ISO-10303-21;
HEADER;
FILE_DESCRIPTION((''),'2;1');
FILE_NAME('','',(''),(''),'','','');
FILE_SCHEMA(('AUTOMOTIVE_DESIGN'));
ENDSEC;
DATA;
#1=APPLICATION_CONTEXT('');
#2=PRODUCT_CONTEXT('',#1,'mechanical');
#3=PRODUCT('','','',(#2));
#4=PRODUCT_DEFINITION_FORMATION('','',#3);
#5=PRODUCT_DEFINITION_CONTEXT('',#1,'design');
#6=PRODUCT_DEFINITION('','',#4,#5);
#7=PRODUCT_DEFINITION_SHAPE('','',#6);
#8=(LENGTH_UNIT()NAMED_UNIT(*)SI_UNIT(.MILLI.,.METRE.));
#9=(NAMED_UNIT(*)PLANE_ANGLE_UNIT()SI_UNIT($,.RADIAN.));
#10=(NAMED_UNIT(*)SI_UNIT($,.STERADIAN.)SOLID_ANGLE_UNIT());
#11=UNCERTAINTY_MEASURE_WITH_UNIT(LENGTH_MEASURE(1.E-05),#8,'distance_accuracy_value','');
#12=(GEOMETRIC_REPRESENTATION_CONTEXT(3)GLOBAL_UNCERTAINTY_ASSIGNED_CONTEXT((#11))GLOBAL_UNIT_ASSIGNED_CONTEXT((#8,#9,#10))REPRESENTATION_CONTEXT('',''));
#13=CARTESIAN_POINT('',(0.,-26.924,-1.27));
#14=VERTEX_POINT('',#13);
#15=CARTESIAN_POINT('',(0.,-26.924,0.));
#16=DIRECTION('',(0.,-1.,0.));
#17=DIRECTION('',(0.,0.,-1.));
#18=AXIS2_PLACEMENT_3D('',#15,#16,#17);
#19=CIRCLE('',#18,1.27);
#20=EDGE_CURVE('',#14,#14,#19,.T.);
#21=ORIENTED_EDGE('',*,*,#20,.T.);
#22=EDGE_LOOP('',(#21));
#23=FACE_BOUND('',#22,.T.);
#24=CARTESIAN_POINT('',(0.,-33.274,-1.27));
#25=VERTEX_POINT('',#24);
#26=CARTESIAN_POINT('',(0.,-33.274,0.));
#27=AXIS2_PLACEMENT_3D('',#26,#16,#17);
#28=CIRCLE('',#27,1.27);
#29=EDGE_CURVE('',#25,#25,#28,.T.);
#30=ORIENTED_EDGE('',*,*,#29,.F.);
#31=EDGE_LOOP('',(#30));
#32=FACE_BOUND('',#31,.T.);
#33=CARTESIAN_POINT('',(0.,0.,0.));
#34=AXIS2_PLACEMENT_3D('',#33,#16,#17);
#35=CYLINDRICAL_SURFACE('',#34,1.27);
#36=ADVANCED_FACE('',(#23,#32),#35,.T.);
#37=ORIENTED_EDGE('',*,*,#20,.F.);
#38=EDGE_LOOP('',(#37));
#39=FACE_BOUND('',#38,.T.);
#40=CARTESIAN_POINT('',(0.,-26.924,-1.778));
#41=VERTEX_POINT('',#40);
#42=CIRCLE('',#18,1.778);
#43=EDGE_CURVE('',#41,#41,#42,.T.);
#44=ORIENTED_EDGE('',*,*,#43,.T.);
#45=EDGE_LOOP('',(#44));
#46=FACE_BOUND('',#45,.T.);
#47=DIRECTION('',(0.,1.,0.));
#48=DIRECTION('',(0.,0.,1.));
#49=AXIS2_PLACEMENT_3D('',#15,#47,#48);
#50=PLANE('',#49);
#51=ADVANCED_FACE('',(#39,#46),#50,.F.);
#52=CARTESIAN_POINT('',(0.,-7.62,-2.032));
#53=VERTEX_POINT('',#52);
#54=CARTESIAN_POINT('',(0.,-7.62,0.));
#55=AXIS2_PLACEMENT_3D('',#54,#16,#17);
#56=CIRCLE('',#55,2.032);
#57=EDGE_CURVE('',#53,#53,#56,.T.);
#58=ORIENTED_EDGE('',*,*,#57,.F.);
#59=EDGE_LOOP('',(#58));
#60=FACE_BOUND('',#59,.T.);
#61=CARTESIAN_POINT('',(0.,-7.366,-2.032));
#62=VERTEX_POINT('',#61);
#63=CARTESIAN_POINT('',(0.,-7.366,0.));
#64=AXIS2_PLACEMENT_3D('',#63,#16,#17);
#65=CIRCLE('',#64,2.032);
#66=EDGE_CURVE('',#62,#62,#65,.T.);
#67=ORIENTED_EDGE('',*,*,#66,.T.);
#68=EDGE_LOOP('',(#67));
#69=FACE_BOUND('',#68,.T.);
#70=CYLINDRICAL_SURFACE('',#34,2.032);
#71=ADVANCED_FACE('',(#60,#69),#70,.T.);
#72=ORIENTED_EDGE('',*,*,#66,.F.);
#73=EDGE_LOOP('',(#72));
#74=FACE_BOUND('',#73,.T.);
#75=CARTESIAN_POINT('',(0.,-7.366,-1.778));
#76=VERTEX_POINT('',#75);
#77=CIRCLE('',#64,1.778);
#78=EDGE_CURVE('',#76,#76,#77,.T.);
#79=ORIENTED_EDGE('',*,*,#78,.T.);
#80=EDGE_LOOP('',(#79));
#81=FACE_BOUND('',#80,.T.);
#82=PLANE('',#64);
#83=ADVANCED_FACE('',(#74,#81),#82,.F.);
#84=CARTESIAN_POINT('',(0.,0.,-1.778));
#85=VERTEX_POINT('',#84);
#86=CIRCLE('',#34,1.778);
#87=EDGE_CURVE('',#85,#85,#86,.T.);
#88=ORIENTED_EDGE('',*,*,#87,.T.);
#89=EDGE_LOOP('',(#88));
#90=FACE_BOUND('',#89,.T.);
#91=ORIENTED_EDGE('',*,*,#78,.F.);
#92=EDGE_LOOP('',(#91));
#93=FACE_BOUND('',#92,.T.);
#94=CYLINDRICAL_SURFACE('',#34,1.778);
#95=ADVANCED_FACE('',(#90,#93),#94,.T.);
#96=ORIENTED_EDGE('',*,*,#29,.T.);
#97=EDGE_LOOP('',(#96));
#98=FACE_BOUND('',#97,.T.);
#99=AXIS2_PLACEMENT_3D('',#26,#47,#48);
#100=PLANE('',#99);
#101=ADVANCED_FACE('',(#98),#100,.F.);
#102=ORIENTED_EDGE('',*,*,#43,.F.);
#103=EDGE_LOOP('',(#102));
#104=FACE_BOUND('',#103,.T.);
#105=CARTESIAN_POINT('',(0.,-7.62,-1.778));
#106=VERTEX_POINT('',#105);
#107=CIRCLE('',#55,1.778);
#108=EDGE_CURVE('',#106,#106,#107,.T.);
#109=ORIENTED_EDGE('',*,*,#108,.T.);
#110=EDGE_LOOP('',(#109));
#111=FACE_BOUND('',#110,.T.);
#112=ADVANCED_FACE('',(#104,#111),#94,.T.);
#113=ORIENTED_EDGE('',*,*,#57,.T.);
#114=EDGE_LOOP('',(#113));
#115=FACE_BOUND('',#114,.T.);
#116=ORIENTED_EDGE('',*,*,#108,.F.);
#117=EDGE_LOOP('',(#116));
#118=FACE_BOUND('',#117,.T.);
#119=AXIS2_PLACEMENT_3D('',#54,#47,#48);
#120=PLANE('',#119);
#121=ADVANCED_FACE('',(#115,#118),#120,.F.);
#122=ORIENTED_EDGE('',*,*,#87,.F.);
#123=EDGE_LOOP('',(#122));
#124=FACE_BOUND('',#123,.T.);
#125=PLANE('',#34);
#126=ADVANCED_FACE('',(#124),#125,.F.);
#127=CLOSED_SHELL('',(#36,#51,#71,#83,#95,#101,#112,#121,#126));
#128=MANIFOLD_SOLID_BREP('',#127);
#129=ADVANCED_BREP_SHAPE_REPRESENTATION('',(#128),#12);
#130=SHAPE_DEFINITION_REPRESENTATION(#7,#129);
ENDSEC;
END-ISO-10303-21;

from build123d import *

# Parameters (mm, degrees)
SKETCH1_W = 0.254
SKETCH1_H = 0.254


with BuildPart() as part:
    # Sketch1 → Revolve2 (revolve)
    with BuildSketch(Plane.XY, mode=Mode.PRIVATE) as revolve2_sk:
        Polygon((0, -33.274), (0, 0), (1.778, 0), (1.778, -26.924), (1.27, -26.924), (1.27, -33.274), align=None)
        with Locations((1.905, -7.493)):
            Rectangle(SKETCH1_W, SKETCH1_H)
    revolve(revolve2_sk.sketch.rotate(Axis((0, 0, 0), (0, 1, 0)), 90), axis=Axis((0, 0, 0), (0, 1, 0)))


solid = part.part
